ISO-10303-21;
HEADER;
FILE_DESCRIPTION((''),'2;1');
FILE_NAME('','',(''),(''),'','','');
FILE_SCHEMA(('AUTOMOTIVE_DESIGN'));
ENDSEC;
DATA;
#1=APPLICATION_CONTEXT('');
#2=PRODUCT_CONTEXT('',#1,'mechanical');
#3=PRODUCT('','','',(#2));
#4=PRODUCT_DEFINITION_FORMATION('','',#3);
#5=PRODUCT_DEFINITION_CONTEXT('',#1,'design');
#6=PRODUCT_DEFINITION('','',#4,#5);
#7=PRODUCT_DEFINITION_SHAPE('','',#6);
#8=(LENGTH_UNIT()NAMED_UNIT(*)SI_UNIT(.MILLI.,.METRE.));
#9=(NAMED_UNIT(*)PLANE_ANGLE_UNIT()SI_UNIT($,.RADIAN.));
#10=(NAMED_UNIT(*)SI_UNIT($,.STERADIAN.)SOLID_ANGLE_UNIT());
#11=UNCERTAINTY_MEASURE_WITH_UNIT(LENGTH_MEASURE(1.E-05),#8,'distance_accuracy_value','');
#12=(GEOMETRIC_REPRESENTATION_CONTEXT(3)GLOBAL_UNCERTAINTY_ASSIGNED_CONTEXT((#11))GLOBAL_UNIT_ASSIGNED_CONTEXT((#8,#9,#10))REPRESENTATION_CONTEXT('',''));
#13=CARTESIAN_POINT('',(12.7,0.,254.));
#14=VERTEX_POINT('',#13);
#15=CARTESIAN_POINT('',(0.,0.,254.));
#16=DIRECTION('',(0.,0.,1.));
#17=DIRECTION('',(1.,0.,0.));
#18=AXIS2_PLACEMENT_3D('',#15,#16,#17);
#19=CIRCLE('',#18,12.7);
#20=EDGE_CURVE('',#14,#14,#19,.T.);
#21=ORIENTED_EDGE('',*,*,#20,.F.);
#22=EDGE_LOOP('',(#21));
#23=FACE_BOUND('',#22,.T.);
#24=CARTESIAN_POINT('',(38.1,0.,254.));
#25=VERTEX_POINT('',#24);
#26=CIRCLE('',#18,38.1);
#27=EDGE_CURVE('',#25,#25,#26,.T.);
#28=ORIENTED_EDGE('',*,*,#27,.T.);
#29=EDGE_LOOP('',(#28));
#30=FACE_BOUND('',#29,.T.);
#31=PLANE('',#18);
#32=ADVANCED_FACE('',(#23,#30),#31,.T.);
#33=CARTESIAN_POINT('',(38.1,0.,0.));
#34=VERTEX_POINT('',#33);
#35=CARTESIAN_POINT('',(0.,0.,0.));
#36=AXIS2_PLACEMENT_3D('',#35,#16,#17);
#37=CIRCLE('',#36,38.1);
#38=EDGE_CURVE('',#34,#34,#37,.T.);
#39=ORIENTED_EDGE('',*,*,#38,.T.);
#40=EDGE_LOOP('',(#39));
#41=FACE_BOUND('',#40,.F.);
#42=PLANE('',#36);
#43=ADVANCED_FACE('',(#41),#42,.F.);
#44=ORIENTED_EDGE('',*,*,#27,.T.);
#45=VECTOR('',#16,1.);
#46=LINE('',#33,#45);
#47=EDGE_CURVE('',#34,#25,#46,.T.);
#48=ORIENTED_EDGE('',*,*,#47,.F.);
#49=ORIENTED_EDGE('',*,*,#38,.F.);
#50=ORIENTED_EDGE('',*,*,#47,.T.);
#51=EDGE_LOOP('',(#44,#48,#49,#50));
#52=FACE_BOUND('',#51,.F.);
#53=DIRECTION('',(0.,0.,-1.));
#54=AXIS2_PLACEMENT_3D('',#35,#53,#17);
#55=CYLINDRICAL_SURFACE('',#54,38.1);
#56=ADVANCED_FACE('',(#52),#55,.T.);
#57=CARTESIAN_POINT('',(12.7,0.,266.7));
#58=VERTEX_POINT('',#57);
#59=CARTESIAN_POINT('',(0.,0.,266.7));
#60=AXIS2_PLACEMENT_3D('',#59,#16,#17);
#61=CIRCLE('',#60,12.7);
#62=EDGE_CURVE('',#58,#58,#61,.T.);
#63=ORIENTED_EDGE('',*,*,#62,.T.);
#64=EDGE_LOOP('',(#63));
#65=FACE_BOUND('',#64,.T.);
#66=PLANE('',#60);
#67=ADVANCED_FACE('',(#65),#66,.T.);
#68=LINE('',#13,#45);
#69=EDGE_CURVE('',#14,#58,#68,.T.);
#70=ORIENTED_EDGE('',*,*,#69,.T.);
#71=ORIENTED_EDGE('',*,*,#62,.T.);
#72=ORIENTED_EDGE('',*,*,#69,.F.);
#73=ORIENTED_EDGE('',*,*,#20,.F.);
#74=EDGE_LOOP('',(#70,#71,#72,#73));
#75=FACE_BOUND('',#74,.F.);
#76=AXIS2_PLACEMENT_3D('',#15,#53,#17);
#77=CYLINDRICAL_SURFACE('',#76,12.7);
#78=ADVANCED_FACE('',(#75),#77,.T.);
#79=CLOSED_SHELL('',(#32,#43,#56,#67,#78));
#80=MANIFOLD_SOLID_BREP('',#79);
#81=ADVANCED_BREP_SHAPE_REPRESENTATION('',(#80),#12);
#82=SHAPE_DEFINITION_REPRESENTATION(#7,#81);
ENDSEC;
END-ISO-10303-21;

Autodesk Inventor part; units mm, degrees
ref_plane "YZ Plane" through (0, 0, 0) normal (1, 0, 0) x (0, 1, 0)
ref_plane "XZ Plane" through (0, 0, 0) normal (0, 1, 0) x (-1, 0, 0)
ref_plane "XY Plane" through (0, 0, 0) normal (0, 0, 1) x (1, 0, 0)
sketch "Sketch1" plane through (0, 0, 0) normal (0, 0, 1) x (1, 0, 0)
  circle A0 centre (0, 0) radius 38.1
  dimension "d0" = 76.2
extrude "Extrusion1" add sketch "Sketch1" along normal blind 254
sketch "Sketch2" plane through (0, 0, 254) normal (0, 0, 1) x (1, 0, 0)
  circle A0 centre (0, 0) radius 38.1 projected
  circle A1 centre (0, 0) radius 12.7
  dimension "d3" = 25.4
extrude "Extrusion2" add sketch "Sketch2" along normal blind 12.7 and the other way blind 190.5 contours A1
properties part number "Shooter_LowerMotor"
